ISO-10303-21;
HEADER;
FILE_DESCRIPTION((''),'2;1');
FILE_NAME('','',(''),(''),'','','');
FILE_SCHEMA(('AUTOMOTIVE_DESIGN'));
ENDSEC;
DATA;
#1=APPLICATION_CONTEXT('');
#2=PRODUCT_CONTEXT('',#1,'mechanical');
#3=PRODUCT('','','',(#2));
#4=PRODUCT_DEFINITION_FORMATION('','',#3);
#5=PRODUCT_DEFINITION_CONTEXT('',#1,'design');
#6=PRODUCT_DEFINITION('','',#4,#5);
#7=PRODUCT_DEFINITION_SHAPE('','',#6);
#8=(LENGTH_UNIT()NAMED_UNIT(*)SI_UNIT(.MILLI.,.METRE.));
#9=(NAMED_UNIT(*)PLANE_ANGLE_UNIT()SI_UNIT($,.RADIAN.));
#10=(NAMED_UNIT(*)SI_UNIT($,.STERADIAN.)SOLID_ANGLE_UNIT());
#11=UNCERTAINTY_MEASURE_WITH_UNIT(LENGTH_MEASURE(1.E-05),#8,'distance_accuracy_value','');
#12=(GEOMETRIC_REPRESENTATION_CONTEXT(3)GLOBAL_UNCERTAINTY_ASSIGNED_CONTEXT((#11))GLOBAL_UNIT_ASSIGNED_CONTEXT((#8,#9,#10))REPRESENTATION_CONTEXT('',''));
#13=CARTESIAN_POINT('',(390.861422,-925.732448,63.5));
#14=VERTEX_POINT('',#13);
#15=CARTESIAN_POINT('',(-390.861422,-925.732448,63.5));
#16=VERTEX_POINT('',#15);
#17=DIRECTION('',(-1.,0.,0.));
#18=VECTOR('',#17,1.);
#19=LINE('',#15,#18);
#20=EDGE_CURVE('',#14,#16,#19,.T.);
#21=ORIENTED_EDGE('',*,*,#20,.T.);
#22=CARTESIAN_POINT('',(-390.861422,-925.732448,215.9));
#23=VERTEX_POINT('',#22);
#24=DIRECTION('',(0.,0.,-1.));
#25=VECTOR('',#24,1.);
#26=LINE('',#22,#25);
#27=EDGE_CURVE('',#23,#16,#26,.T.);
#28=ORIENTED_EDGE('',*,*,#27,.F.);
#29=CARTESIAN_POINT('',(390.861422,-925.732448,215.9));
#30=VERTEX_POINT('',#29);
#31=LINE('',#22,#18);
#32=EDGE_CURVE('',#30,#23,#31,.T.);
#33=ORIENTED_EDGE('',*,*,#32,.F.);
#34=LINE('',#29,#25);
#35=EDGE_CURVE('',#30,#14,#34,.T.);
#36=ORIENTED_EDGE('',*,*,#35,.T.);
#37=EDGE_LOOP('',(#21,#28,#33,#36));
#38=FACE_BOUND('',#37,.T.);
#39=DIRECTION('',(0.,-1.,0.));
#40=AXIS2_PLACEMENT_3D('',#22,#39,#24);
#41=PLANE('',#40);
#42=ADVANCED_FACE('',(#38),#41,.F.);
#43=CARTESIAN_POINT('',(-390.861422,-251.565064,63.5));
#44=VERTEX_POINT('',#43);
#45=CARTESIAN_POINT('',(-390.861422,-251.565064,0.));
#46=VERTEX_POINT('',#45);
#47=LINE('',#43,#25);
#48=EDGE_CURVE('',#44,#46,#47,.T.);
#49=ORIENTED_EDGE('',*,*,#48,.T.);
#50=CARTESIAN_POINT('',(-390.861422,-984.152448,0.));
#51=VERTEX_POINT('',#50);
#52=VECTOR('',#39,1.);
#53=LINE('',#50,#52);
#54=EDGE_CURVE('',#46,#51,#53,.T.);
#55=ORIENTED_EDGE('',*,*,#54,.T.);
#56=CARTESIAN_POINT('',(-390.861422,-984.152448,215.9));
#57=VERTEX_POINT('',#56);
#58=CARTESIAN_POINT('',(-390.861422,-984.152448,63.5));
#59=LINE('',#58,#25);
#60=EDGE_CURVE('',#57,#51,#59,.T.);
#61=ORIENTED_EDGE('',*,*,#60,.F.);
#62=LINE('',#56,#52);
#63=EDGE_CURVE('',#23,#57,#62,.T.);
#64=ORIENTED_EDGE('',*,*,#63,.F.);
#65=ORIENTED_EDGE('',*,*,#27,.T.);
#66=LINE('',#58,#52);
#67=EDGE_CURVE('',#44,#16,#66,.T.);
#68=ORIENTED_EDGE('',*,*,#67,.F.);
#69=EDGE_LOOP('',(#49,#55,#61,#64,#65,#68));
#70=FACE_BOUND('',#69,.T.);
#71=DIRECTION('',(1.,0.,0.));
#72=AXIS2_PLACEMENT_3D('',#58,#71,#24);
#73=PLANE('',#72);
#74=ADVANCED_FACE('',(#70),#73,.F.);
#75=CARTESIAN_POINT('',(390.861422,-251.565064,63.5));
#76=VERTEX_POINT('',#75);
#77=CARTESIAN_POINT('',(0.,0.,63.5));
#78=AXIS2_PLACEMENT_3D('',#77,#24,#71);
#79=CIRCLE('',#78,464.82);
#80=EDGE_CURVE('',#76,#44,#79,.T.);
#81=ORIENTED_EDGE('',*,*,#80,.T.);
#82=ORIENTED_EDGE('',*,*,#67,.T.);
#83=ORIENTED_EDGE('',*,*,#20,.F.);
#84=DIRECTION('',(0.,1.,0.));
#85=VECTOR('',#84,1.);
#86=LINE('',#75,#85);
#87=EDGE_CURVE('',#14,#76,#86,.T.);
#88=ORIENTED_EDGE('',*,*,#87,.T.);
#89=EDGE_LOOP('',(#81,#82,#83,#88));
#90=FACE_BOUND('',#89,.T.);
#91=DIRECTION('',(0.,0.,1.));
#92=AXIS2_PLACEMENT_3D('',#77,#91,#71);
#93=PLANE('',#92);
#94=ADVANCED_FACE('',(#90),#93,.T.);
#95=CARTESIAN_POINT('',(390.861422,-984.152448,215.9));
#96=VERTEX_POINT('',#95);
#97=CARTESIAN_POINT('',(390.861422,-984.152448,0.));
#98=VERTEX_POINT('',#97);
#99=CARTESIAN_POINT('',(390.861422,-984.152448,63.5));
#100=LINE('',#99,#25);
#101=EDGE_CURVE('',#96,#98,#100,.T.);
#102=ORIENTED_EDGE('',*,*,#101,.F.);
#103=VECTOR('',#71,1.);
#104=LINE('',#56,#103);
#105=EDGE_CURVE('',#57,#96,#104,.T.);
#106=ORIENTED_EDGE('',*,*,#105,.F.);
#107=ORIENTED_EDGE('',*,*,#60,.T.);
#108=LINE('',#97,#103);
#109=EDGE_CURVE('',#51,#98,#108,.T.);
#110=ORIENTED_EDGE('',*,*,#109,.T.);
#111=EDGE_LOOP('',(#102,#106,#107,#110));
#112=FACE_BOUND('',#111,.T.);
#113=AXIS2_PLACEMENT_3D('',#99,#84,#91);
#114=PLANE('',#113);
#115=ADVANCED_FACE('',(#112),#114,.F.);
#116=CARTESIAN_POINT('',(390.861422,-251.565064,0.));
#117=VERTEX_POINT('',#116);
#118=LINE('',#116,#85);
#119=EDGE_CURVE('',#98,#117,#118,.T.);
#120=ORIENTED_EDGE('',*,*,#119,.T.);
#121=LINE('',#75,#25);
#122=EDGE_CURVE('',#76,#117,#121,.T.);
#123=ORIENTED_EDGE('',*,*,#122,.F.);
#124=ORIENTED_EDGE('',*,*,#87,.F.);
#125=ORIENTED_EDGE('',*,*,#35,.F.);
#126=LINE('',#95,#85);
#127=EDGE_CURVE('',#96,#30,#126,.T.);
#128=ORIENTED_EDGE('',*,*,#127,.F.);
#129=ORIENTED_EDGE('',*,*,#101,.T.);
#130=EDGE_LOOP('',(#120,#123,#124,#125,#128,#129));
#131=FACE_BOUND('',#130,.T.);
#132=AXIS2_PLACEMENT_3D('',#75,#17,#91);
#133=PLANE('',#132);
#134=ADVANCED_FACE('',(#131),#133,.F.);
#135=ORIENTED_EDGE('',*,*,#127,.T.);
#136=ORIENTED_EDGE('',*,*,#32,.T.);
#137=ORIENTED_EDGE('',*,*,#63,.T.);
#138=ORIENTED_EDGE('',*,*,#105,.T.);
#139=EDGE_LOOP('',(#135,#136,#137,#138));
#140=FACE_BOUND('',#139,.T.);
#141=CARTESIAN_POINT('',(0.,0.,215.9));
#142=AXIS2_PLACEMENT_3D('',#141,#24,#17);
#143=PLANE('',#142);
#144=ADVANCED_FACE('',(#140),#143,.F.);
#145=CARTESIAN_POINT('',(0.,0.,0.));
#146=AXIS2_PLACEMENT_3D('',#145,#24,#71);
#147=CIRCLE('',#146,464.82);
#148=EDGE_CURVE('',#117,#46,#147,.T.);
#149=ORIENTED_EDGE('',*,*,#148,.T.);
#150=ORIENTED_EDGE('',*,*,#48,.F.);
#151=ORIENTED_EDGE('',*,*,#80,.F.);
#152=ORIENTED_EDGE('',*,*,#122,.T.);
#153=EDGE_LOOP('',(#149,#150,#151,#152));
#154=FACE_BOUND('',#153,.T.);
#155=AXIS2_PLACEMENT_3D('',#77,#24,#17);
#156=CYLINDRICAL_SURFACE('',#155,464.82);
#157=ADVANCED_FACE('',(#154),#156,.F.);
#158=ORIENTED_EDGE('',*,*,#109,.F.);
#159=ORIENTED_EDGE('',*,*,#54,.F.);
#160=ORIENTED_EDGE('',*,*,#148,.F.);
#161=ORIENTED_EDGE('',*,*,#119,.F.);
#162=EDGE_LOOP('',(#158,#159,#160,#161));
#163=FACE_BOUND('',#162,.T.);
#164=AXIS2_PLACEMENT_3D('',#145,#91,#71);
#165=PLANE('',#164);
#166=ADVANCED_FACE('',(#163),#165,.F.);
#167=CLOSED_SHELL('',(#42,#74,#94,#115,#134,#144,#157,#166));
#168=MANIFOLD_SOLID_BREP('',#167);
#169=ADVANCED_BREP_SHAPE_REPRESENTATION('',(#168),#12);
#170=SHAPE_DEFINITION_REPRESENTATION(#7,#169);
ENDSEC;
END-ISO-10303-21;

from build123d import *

# Parameters (mm, degrees)
BOSS_EXTRUDE1_DEPTH = 63.5
SKETCH3_W           = 781.722843432
SKETCH3_H           = 58.42
BOSS_EXTRUDE2_DEPTH = 152.4


with BuildPart() as part:
    # Sketch2 → Boss-Extrude1 (new body)
    with BuildSketch(Plane.XY):
        with BuildLine():
            Line((390.861421716, -251.565063977), (390.861421716, -984.152448319))
            Line((390.861421716, -984.152448319), (-390.861421716, -984.152448319))
            Line((-390.861421716, -984.152448319), (-390.861421716, -251.565063977))
            ThreePointArc((-390.861421716, -251.565063977), (0, -464.82), (390.861421716, -251.565063977))
        make_face()
    extrude(amount=BOSS_EXTRUDE1_DEPTH)

    # Sketch3 → Boss-Extrude2 (add)
    with BuildSketch(Plane.XY.offset(63.5)):
        with Locations((0, -954.942448319)):
            Rectangle(SKETCH3_W, SKETCH3_H)
    extrude(amount=BOSS_EXTRUDE2_DEPTH)


solid = part.part
